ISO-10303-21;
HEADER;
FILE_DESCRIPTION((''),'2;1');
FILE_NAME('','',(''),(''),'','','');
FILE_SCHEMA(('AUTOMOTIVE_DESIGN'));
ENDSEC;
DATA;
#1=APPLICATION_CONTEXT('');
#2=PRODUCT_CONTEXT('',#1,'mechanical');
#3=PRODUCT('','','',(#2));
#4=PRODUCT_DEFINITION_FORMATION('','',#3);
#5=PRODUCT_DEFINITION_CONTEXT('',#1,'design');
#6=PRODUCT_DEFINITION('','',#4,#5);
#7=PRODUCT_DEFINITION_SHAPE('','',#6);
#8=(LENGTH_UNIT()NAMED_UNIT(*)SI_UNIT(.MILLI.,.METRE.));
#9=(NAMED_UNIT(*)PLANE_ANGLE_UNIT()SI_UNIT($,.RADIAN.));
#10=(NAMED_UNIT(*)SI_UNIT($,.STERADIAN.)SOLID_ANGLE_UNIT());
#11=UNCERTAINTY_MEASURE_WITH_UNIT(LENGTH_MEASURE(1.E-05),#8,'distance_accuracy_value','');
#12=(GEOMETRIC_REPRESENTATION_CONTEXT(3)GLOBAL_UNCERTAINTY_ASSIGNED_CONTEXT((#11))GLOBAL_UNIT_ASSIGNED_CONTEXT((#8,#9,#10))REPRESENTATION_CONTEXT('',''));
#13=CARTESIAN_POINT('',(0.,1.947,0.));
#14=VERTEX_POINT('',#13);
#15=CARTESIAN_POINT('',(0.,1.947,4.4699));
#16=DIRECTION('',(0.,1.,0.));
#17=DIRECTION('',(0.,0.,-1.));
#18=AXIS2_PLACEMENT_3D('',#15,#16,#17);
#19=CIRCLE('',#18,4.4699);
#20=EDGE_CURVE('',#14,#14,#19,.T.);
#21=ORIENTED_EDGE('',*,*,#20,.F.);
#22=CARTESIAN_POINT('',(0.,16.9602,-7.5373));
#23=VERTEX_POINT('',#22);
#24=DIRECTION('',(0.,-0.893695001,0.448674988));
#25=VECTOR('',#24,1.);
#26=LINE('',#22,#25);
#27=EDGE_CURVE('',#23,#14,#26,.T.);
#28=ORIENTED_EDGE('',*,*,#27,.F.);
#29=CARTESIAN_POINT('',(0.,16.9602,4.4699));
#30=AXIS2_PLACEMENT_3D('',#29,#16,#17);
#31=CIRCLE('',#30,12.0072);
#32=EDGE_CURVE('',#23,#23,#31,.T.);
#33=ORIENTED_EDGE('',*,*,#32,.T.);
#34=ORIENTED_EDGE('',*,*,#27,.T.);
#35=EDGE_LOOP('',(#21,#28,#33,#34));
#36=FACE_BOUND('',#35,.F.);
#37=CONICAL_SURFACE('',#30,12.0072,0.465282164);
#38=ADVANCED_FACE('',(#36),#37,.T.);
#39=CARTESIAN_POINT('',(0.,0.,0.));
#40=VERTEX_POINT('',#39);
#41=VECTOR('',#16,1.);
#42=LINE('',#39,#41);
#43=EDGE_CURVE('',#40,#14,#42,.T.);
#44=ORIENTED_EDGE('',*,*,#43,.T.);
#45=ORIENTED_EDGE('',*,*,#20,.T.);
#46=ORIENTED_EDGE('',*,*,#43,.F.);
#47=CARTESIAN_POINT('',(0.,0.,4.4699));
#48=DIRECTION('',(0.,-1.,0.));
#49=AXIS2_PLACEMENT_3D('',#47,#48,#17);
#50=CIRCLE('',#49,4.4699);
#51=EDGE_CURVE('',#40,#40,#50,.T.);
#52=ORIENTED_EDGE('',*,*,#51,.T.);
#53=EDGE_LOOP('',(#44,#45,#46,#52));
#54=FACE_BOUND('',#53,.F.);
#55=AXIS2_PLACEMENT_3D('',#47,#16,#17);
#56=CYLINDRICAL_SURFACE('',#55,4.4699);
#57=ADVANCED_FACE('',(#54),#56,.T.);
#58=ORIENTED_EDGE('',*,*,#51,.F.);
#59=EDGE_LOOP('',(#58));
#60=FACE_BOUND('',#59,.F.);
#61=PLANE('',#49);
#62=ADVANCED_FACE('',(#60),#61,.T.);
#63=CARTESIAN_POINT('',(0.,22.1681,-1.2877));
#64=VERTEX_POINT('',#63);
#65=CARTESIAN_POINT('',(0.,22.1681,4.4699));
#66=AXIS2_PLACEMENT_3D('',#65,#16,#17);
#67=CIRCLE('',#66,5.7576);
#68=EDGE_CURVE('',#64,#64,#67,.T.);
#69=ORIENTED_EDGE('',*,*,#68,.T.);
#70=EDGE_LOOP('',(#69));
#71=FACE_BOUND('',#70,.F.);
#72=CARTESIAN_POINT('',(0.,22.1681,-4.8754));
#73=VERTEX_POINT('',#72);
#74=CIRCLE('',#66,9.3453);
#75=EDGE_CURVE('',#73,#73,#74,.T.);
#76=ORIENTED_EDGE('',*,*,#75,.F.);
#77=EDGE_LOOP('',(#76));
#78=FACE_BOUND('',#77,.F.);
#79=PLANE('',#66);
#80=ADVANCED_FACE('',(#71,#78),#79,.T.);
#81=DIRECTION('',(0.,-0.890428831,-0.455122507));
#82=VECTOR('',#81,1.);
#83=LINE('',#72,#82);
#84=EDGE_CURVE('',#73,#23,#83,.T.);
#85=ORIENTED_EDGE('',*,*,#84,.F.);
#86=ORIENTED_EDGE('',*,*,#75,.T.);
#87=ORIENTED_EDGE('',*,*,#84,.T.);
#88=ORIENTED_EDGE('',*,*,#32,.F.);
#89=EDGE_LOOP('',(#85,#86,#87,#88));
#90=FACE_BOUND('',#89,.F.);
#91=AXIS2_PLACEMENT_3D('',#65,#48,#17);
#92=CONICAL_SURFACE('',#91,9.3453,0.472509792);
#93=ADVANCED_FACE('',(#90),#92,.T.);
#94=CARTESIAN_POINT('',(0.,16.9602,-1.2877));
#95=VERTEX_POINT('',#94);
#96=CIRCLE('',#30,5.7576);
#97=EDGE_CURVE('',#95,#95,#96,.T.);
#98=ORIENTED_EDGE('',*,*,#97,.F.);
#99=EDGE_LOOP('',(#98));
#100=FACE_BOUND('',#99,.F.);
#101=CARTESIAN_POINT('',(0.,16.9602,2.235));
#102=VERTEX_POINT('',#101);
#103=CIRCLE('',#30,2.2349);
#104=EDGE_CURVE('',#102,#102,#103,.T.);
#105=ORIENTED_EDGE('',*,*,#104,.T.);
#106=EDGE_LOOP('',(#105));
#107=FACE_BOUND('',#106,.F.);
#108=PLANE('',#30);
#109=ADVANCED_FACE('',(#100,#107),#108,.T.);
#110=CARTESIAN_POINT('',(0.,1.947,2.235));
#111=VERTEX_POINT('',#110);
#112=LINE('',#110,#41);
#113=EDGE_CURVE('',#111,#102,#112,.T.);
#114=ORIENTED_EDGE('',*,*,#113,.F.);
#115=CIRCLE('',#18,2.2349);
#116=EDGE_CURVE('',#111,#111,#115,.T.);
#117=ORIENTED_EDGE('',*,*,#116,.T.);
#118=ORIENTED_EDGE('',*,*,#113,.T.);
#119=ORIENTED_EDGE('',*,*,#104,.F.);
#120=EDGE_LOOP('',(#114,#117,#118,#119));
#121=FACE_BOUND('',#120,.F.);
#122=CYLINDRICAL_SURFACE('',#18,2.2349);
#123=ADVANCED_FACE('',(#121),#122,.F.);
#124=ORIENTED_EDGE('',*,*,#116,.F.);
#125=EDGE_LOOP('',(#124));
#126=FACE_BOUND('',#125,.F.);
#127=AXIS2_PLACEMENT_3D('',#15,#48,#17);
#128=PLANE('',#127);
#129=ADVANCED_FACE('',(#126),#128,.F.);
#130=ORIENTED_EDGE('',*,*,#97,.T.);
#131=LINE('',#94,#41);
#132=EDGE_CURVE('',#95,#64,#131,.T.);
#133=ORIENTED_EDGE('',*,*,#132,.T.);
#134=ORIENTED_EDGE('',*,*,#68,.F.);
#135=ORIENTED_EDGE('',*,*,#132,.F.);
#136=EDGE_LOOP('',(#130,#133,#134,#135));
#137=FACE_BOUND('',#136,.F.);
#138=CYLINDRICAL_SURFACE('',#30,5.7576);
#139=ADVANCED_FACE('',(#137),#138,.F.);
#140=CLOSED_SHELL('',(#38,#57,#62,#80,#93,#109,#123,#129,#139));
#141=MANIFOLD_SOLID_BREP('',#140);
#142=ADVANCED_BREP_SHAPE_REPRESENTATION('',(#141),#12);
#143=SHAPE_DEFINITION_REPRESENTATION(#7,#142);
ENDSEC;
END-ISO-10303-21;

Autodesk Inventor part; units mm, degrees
ref_plane "YZ Plane" through (0, 0, 0) normal (1, 0, 0) x (0, 1, 0)
ref_plane "XZ Plane" through (0, 0, 0) normal (0, 1, 0) x (-1, 0, 0)
ref_plane "XY Plane" through (0, 0, 0) normal (0, 0, 1) x (1, 0, 0)
sketch "Sketch1" plane through (0, 0, 0) normal (1, 0, 0) x (0, 1, 0)
  line L0 (1.947, 4.4699) -> (0, 4.4699)
  line L1 (0, 4.4699) -> (0, 0)
  line L2 (0, 0) -> (1.947, 0)
  line L3 (1.947, 0) -> (1.947, 4.4699)
sketch "Sketch2" plane through (0, 0, 0) normal (1, 0, 0) x (0, 1, 0)
  line L0 (1.947, 0) -> (1.947, 4.4699) projected
  line L1 (0, 0) -> (1.947, 0) projected
  line L2 (1.947, 4.4699) -> (0, 4.4699) projected
  line L3 (16.9602, -1.2877) -> (22.1681, -1.2877)
  line L4 (22.1681, -1.2877) -> (22.1681, -4.8754)
  line L5 (22.1681, -4.8754) -> (16.9602, -7.5373)
  line L6 (16.9602, -7.5373) -> (1.947, 0)
  line L7 (1.947, 2.235) -> (16.9602, 2.235)
  line L8 (16.9602, 2.235) -> (16.9602, -1.2877)
  line L9 (1.947, 4.4699) -> (5.6822, 4.4699)
sketch "Sketch3" plane through (0, 0, 0) normal (1, 0, 0) x (0, 1, 0)
  point P0 (0, 0)
revolve "Revolution1" add sketch "Sketch2" angle 360 about axis through (0, 1.947, 4.4699) along (0, 1, 0)
revolve "Revolution2" add sketch "Sketch1" angle 360 about axis through (0, 1.947, 4.4699) along (0, -1, 0)
properties part number "Train smoke stack" material "ABS Plastic"
